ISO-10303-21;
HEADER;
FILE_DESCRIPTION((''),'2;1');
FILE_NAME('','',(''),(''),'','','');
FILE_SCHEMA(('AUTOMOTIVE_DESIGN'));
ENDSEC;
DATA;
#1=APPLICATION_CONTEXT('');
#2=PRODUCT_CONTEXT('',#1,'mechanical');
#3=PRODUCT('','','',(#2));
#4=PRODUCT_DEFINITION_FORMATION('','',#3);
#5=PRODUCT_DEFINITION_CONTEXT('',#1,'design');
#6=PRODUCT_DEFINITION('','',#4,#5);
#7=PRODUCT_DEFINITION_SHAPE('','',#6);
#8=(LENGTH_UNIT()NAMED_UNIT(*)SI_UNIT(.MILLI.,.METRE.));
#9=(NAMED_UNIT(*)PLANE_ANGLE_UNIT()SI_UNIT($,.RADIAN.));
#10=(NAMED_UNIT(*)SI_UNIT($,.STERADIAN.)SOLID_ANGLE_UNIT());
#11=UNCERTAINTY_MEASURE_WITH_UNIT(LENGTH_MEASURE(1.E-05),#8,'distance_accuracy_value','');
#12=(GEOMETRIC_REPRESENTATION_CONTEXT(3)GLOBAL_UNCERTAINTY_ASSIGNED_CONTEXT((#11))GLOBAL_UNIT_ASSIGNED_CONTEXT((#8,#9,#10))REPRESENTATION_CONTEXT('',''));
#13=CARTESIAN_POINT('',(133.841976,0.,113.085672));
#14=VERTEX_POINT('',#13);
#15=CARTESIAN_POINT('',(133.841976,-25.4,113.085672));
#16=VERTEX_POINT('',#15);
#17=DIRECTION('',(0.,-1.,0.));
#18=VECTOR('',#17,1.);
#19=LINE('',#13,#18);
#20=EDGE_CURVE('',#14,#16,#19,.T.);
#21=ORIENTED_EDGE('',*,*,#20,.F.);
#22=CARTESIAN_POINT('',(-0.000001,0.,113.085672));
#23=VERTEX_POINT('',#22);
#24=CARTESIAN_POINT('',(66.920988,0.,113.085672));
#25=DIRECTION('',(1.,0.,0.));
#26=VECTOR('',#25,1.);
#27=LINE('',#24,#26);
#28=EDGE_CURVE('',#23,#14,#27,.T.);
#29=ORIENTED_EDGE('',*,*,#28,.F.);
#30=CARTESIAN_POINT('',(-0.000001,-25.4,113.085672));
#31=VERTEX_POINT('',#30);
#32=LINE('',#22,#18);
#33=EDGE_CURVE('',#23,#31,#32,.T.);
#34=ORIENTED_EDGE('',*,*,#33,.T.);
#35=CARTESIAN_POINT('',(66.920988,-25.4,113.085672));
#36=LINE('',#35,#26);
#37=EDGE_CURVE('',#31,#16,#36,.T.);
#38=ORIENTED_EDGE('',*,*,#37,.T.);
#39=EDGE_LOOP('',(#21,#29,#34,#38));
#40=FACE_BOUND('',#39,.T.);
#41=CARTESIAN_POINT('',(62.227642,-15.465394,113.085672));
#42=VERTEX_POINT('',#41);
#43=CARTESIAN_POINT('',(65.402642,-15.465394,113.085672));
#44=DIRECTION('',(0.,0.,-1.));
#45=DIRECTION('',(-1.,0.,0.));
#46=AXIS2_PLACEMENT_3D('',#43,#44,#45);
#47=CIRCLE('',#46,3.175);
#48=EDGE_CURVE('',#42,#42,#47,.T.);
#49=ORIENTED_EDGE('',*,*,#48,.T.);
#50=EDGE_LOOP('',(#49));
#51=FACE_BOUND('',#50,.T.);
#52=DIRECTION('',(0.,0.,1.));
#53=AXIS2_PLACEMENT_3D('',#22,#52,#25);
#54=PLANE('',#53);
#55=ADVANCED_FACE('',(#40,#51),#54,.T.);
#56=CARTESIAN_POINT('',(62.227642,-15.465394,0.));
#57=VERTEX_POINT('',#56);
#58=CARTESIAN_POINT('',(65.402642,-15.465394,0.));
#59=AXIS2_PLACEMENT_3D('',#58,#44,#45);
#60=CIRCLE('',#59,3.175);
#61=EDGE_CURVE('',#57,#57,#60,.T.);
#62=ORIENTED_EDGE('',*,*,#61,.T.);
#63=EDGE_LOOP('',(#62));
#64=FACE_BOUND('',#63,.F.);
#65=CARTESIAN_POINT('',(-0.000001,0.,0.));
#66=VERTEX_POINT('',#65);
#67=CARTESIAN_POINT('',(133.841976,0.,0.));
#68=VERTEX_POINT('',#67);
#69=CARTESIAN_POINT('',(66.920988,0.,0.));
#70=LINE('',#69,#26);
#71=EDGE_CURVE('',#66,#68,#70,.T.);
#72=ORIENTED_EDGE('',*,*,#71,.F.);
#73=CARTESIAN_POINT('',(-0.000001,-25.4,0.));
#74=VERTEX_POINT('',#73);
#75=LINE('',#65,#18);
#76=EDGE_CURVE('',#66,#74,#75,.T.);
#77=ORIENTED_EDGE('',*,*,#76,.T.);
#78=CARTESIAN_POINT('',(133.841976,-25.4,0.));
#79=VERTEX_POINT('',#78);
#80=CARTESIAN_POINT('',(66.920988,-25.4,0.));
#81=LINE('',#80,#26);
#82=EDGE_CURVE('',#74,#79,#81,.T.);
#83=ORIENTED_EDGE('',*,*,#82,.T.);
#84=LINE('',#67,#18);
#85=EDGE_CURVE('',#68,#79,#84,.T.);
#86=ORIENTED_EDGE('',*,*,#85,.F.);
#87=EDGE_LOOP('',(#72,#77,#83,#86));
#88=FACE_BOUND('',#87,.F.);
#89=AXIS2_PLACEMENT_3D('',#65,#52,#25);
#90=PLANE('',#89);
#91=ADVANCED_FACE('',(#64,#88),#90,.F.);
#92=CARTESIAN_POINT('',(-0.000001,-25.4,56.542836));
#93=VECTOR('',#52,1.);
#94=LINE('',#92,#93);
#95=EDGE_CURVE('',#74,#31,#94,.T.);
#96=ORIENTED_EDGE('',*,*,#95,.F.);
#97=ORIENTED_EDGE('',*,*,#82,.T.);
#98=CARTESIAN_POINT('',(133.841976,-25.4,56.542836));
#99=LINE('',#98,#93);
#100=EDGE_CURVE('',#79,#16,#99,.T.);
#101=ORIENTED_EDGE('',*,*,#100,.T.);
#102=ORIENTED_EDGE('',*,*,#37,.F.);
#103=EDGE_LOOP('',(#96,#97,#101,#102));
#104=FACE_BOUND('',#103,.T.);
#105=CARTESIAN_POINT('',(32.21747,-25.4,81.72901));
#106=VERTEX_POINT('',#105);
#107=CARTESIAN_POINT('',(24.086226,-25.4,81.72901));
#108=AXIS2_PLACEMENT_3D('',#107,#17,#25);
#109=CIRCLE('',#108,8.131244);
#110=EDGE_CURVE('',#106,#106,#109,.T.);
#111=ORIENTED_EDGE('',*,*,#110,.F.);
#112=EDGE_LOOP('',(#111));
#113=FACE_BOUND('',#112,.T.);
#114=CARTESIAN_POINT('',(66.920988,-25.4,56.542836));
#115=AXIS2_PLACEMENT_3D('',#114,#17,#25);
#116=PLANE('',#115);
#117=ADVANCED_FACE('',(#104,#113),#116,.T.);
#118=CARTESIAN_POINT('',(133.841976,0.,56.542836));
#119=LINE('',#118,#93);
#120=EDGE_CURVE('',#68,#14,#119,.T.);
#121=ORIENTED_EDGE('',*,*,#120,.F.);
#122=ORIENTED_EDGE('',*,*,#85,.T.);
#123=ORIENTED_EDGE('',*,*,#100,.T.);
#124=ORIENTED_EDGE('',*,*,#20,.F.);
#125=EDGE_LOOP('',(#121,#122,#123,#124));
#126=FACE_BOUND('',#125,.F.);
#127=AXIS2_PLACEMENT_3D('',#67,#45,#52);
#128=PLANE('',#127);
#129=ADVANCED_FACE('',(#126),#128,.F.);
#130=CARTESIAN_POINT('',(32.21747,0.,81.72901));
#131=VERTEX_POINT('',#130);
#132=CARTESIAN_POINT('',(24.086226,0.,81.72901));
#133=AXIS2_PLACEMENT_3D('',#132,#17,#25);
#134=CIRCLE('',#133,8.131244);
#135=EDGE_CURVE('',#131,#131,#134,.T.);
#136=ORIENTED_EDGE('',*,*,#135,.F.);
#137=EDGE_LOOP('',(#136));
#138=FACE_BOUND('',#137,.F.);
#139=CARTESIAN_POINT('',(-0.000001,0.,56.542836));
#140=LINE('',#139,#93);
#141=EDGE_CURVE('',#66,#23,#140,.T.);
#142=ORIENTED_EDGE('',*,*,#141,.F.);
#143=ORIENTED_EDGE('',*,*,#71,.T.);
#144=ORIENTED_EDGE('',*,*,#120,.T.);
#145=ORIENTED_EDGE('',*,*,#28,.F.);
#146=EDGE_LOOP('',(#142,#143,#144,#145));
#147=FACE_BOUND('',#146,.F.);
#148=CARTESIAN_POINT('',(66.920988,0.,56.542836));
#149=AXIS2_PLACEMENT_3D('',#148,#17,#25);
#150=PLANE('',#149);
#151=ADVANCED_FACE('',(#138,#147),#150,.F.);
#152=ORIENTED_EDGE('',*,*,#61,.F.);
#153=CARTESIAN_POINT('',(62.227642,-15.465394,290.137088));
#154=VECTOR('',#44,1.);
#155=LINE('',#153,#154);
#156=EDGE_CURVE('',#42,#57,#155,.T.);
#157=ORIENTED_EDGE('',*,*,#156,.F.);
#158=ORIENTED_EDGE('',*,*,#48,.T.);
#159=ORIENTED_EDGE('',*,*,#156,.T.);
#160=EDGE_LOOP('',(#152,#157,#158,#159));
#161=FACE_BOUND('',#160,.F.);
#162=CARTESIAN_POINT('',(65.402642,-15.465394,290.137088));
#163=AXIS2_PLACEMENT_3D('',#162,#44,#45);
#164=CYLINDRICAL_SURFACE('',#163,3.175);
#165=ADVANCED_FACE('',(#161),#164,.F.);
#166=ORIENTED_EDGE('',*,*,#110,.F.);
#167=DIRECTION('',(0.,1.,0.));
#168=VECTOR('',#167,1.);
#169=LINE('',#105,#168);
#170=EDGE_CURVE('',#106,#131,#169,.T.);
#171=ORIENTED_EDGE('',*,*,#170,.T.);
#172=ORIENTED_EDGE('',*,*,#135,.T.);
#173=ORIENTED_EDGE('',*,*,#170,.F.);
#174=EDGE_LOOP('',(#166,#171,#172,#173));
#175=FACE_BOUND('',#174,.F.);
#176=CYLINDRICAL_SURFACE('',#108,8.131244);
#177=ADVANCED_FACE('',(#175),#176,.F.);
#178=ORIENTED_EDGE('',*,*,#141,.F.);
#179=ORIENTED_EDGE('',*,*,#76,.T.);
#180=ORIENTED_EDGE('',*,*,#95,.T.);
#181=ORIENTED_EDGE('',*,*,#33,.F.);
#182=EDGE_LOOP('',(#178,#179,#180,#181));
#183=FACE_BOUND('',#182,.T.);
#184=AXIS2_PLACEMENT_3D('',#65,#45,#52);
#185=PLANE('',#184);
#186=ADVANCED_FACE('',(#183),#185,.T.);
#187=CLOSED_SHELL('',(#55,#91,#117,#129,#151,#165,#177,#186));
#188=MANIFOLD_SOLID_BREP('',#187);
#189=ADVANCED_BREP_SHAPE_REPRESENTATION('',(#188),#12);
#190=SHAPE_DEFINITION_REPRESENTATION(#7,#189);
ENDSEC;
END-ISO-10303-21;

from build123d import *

# Parameters (mm, degrees)
F0_W     = 133.841977
F0_H     = 113.085672
F1_DEPTH = 25.4
F2_R     = 8.131244
F3_DEPTH = 25.4
F5_D     = 6.35


with BuildPart() as f1:
    # F0 (on Front) → F1 (new body)
    with BuildSketch(Plane.XZ):
        with Locations((66.920988, 56.542836)):
            Rectangle(F0_W, F0_H)
    extrude(amount=F1_DEPTH)

    # F2 (on face) → F3 (cut)
    with BuildSketch(Plane.XZ.offset(25.4)):
        with Locations((24.086226, 81.72901)):
            Circle(F2_R)
    extrude(amount=-F3_DEPTH, mode=Mode.SUBTRACT)

    # F5 (through all)
    with Locations(Plane.XY.offset(113.085672)):
        with Locations((65.402642, -15.465394)):
            Hole(F5_D / 2)


solid = f1.part
